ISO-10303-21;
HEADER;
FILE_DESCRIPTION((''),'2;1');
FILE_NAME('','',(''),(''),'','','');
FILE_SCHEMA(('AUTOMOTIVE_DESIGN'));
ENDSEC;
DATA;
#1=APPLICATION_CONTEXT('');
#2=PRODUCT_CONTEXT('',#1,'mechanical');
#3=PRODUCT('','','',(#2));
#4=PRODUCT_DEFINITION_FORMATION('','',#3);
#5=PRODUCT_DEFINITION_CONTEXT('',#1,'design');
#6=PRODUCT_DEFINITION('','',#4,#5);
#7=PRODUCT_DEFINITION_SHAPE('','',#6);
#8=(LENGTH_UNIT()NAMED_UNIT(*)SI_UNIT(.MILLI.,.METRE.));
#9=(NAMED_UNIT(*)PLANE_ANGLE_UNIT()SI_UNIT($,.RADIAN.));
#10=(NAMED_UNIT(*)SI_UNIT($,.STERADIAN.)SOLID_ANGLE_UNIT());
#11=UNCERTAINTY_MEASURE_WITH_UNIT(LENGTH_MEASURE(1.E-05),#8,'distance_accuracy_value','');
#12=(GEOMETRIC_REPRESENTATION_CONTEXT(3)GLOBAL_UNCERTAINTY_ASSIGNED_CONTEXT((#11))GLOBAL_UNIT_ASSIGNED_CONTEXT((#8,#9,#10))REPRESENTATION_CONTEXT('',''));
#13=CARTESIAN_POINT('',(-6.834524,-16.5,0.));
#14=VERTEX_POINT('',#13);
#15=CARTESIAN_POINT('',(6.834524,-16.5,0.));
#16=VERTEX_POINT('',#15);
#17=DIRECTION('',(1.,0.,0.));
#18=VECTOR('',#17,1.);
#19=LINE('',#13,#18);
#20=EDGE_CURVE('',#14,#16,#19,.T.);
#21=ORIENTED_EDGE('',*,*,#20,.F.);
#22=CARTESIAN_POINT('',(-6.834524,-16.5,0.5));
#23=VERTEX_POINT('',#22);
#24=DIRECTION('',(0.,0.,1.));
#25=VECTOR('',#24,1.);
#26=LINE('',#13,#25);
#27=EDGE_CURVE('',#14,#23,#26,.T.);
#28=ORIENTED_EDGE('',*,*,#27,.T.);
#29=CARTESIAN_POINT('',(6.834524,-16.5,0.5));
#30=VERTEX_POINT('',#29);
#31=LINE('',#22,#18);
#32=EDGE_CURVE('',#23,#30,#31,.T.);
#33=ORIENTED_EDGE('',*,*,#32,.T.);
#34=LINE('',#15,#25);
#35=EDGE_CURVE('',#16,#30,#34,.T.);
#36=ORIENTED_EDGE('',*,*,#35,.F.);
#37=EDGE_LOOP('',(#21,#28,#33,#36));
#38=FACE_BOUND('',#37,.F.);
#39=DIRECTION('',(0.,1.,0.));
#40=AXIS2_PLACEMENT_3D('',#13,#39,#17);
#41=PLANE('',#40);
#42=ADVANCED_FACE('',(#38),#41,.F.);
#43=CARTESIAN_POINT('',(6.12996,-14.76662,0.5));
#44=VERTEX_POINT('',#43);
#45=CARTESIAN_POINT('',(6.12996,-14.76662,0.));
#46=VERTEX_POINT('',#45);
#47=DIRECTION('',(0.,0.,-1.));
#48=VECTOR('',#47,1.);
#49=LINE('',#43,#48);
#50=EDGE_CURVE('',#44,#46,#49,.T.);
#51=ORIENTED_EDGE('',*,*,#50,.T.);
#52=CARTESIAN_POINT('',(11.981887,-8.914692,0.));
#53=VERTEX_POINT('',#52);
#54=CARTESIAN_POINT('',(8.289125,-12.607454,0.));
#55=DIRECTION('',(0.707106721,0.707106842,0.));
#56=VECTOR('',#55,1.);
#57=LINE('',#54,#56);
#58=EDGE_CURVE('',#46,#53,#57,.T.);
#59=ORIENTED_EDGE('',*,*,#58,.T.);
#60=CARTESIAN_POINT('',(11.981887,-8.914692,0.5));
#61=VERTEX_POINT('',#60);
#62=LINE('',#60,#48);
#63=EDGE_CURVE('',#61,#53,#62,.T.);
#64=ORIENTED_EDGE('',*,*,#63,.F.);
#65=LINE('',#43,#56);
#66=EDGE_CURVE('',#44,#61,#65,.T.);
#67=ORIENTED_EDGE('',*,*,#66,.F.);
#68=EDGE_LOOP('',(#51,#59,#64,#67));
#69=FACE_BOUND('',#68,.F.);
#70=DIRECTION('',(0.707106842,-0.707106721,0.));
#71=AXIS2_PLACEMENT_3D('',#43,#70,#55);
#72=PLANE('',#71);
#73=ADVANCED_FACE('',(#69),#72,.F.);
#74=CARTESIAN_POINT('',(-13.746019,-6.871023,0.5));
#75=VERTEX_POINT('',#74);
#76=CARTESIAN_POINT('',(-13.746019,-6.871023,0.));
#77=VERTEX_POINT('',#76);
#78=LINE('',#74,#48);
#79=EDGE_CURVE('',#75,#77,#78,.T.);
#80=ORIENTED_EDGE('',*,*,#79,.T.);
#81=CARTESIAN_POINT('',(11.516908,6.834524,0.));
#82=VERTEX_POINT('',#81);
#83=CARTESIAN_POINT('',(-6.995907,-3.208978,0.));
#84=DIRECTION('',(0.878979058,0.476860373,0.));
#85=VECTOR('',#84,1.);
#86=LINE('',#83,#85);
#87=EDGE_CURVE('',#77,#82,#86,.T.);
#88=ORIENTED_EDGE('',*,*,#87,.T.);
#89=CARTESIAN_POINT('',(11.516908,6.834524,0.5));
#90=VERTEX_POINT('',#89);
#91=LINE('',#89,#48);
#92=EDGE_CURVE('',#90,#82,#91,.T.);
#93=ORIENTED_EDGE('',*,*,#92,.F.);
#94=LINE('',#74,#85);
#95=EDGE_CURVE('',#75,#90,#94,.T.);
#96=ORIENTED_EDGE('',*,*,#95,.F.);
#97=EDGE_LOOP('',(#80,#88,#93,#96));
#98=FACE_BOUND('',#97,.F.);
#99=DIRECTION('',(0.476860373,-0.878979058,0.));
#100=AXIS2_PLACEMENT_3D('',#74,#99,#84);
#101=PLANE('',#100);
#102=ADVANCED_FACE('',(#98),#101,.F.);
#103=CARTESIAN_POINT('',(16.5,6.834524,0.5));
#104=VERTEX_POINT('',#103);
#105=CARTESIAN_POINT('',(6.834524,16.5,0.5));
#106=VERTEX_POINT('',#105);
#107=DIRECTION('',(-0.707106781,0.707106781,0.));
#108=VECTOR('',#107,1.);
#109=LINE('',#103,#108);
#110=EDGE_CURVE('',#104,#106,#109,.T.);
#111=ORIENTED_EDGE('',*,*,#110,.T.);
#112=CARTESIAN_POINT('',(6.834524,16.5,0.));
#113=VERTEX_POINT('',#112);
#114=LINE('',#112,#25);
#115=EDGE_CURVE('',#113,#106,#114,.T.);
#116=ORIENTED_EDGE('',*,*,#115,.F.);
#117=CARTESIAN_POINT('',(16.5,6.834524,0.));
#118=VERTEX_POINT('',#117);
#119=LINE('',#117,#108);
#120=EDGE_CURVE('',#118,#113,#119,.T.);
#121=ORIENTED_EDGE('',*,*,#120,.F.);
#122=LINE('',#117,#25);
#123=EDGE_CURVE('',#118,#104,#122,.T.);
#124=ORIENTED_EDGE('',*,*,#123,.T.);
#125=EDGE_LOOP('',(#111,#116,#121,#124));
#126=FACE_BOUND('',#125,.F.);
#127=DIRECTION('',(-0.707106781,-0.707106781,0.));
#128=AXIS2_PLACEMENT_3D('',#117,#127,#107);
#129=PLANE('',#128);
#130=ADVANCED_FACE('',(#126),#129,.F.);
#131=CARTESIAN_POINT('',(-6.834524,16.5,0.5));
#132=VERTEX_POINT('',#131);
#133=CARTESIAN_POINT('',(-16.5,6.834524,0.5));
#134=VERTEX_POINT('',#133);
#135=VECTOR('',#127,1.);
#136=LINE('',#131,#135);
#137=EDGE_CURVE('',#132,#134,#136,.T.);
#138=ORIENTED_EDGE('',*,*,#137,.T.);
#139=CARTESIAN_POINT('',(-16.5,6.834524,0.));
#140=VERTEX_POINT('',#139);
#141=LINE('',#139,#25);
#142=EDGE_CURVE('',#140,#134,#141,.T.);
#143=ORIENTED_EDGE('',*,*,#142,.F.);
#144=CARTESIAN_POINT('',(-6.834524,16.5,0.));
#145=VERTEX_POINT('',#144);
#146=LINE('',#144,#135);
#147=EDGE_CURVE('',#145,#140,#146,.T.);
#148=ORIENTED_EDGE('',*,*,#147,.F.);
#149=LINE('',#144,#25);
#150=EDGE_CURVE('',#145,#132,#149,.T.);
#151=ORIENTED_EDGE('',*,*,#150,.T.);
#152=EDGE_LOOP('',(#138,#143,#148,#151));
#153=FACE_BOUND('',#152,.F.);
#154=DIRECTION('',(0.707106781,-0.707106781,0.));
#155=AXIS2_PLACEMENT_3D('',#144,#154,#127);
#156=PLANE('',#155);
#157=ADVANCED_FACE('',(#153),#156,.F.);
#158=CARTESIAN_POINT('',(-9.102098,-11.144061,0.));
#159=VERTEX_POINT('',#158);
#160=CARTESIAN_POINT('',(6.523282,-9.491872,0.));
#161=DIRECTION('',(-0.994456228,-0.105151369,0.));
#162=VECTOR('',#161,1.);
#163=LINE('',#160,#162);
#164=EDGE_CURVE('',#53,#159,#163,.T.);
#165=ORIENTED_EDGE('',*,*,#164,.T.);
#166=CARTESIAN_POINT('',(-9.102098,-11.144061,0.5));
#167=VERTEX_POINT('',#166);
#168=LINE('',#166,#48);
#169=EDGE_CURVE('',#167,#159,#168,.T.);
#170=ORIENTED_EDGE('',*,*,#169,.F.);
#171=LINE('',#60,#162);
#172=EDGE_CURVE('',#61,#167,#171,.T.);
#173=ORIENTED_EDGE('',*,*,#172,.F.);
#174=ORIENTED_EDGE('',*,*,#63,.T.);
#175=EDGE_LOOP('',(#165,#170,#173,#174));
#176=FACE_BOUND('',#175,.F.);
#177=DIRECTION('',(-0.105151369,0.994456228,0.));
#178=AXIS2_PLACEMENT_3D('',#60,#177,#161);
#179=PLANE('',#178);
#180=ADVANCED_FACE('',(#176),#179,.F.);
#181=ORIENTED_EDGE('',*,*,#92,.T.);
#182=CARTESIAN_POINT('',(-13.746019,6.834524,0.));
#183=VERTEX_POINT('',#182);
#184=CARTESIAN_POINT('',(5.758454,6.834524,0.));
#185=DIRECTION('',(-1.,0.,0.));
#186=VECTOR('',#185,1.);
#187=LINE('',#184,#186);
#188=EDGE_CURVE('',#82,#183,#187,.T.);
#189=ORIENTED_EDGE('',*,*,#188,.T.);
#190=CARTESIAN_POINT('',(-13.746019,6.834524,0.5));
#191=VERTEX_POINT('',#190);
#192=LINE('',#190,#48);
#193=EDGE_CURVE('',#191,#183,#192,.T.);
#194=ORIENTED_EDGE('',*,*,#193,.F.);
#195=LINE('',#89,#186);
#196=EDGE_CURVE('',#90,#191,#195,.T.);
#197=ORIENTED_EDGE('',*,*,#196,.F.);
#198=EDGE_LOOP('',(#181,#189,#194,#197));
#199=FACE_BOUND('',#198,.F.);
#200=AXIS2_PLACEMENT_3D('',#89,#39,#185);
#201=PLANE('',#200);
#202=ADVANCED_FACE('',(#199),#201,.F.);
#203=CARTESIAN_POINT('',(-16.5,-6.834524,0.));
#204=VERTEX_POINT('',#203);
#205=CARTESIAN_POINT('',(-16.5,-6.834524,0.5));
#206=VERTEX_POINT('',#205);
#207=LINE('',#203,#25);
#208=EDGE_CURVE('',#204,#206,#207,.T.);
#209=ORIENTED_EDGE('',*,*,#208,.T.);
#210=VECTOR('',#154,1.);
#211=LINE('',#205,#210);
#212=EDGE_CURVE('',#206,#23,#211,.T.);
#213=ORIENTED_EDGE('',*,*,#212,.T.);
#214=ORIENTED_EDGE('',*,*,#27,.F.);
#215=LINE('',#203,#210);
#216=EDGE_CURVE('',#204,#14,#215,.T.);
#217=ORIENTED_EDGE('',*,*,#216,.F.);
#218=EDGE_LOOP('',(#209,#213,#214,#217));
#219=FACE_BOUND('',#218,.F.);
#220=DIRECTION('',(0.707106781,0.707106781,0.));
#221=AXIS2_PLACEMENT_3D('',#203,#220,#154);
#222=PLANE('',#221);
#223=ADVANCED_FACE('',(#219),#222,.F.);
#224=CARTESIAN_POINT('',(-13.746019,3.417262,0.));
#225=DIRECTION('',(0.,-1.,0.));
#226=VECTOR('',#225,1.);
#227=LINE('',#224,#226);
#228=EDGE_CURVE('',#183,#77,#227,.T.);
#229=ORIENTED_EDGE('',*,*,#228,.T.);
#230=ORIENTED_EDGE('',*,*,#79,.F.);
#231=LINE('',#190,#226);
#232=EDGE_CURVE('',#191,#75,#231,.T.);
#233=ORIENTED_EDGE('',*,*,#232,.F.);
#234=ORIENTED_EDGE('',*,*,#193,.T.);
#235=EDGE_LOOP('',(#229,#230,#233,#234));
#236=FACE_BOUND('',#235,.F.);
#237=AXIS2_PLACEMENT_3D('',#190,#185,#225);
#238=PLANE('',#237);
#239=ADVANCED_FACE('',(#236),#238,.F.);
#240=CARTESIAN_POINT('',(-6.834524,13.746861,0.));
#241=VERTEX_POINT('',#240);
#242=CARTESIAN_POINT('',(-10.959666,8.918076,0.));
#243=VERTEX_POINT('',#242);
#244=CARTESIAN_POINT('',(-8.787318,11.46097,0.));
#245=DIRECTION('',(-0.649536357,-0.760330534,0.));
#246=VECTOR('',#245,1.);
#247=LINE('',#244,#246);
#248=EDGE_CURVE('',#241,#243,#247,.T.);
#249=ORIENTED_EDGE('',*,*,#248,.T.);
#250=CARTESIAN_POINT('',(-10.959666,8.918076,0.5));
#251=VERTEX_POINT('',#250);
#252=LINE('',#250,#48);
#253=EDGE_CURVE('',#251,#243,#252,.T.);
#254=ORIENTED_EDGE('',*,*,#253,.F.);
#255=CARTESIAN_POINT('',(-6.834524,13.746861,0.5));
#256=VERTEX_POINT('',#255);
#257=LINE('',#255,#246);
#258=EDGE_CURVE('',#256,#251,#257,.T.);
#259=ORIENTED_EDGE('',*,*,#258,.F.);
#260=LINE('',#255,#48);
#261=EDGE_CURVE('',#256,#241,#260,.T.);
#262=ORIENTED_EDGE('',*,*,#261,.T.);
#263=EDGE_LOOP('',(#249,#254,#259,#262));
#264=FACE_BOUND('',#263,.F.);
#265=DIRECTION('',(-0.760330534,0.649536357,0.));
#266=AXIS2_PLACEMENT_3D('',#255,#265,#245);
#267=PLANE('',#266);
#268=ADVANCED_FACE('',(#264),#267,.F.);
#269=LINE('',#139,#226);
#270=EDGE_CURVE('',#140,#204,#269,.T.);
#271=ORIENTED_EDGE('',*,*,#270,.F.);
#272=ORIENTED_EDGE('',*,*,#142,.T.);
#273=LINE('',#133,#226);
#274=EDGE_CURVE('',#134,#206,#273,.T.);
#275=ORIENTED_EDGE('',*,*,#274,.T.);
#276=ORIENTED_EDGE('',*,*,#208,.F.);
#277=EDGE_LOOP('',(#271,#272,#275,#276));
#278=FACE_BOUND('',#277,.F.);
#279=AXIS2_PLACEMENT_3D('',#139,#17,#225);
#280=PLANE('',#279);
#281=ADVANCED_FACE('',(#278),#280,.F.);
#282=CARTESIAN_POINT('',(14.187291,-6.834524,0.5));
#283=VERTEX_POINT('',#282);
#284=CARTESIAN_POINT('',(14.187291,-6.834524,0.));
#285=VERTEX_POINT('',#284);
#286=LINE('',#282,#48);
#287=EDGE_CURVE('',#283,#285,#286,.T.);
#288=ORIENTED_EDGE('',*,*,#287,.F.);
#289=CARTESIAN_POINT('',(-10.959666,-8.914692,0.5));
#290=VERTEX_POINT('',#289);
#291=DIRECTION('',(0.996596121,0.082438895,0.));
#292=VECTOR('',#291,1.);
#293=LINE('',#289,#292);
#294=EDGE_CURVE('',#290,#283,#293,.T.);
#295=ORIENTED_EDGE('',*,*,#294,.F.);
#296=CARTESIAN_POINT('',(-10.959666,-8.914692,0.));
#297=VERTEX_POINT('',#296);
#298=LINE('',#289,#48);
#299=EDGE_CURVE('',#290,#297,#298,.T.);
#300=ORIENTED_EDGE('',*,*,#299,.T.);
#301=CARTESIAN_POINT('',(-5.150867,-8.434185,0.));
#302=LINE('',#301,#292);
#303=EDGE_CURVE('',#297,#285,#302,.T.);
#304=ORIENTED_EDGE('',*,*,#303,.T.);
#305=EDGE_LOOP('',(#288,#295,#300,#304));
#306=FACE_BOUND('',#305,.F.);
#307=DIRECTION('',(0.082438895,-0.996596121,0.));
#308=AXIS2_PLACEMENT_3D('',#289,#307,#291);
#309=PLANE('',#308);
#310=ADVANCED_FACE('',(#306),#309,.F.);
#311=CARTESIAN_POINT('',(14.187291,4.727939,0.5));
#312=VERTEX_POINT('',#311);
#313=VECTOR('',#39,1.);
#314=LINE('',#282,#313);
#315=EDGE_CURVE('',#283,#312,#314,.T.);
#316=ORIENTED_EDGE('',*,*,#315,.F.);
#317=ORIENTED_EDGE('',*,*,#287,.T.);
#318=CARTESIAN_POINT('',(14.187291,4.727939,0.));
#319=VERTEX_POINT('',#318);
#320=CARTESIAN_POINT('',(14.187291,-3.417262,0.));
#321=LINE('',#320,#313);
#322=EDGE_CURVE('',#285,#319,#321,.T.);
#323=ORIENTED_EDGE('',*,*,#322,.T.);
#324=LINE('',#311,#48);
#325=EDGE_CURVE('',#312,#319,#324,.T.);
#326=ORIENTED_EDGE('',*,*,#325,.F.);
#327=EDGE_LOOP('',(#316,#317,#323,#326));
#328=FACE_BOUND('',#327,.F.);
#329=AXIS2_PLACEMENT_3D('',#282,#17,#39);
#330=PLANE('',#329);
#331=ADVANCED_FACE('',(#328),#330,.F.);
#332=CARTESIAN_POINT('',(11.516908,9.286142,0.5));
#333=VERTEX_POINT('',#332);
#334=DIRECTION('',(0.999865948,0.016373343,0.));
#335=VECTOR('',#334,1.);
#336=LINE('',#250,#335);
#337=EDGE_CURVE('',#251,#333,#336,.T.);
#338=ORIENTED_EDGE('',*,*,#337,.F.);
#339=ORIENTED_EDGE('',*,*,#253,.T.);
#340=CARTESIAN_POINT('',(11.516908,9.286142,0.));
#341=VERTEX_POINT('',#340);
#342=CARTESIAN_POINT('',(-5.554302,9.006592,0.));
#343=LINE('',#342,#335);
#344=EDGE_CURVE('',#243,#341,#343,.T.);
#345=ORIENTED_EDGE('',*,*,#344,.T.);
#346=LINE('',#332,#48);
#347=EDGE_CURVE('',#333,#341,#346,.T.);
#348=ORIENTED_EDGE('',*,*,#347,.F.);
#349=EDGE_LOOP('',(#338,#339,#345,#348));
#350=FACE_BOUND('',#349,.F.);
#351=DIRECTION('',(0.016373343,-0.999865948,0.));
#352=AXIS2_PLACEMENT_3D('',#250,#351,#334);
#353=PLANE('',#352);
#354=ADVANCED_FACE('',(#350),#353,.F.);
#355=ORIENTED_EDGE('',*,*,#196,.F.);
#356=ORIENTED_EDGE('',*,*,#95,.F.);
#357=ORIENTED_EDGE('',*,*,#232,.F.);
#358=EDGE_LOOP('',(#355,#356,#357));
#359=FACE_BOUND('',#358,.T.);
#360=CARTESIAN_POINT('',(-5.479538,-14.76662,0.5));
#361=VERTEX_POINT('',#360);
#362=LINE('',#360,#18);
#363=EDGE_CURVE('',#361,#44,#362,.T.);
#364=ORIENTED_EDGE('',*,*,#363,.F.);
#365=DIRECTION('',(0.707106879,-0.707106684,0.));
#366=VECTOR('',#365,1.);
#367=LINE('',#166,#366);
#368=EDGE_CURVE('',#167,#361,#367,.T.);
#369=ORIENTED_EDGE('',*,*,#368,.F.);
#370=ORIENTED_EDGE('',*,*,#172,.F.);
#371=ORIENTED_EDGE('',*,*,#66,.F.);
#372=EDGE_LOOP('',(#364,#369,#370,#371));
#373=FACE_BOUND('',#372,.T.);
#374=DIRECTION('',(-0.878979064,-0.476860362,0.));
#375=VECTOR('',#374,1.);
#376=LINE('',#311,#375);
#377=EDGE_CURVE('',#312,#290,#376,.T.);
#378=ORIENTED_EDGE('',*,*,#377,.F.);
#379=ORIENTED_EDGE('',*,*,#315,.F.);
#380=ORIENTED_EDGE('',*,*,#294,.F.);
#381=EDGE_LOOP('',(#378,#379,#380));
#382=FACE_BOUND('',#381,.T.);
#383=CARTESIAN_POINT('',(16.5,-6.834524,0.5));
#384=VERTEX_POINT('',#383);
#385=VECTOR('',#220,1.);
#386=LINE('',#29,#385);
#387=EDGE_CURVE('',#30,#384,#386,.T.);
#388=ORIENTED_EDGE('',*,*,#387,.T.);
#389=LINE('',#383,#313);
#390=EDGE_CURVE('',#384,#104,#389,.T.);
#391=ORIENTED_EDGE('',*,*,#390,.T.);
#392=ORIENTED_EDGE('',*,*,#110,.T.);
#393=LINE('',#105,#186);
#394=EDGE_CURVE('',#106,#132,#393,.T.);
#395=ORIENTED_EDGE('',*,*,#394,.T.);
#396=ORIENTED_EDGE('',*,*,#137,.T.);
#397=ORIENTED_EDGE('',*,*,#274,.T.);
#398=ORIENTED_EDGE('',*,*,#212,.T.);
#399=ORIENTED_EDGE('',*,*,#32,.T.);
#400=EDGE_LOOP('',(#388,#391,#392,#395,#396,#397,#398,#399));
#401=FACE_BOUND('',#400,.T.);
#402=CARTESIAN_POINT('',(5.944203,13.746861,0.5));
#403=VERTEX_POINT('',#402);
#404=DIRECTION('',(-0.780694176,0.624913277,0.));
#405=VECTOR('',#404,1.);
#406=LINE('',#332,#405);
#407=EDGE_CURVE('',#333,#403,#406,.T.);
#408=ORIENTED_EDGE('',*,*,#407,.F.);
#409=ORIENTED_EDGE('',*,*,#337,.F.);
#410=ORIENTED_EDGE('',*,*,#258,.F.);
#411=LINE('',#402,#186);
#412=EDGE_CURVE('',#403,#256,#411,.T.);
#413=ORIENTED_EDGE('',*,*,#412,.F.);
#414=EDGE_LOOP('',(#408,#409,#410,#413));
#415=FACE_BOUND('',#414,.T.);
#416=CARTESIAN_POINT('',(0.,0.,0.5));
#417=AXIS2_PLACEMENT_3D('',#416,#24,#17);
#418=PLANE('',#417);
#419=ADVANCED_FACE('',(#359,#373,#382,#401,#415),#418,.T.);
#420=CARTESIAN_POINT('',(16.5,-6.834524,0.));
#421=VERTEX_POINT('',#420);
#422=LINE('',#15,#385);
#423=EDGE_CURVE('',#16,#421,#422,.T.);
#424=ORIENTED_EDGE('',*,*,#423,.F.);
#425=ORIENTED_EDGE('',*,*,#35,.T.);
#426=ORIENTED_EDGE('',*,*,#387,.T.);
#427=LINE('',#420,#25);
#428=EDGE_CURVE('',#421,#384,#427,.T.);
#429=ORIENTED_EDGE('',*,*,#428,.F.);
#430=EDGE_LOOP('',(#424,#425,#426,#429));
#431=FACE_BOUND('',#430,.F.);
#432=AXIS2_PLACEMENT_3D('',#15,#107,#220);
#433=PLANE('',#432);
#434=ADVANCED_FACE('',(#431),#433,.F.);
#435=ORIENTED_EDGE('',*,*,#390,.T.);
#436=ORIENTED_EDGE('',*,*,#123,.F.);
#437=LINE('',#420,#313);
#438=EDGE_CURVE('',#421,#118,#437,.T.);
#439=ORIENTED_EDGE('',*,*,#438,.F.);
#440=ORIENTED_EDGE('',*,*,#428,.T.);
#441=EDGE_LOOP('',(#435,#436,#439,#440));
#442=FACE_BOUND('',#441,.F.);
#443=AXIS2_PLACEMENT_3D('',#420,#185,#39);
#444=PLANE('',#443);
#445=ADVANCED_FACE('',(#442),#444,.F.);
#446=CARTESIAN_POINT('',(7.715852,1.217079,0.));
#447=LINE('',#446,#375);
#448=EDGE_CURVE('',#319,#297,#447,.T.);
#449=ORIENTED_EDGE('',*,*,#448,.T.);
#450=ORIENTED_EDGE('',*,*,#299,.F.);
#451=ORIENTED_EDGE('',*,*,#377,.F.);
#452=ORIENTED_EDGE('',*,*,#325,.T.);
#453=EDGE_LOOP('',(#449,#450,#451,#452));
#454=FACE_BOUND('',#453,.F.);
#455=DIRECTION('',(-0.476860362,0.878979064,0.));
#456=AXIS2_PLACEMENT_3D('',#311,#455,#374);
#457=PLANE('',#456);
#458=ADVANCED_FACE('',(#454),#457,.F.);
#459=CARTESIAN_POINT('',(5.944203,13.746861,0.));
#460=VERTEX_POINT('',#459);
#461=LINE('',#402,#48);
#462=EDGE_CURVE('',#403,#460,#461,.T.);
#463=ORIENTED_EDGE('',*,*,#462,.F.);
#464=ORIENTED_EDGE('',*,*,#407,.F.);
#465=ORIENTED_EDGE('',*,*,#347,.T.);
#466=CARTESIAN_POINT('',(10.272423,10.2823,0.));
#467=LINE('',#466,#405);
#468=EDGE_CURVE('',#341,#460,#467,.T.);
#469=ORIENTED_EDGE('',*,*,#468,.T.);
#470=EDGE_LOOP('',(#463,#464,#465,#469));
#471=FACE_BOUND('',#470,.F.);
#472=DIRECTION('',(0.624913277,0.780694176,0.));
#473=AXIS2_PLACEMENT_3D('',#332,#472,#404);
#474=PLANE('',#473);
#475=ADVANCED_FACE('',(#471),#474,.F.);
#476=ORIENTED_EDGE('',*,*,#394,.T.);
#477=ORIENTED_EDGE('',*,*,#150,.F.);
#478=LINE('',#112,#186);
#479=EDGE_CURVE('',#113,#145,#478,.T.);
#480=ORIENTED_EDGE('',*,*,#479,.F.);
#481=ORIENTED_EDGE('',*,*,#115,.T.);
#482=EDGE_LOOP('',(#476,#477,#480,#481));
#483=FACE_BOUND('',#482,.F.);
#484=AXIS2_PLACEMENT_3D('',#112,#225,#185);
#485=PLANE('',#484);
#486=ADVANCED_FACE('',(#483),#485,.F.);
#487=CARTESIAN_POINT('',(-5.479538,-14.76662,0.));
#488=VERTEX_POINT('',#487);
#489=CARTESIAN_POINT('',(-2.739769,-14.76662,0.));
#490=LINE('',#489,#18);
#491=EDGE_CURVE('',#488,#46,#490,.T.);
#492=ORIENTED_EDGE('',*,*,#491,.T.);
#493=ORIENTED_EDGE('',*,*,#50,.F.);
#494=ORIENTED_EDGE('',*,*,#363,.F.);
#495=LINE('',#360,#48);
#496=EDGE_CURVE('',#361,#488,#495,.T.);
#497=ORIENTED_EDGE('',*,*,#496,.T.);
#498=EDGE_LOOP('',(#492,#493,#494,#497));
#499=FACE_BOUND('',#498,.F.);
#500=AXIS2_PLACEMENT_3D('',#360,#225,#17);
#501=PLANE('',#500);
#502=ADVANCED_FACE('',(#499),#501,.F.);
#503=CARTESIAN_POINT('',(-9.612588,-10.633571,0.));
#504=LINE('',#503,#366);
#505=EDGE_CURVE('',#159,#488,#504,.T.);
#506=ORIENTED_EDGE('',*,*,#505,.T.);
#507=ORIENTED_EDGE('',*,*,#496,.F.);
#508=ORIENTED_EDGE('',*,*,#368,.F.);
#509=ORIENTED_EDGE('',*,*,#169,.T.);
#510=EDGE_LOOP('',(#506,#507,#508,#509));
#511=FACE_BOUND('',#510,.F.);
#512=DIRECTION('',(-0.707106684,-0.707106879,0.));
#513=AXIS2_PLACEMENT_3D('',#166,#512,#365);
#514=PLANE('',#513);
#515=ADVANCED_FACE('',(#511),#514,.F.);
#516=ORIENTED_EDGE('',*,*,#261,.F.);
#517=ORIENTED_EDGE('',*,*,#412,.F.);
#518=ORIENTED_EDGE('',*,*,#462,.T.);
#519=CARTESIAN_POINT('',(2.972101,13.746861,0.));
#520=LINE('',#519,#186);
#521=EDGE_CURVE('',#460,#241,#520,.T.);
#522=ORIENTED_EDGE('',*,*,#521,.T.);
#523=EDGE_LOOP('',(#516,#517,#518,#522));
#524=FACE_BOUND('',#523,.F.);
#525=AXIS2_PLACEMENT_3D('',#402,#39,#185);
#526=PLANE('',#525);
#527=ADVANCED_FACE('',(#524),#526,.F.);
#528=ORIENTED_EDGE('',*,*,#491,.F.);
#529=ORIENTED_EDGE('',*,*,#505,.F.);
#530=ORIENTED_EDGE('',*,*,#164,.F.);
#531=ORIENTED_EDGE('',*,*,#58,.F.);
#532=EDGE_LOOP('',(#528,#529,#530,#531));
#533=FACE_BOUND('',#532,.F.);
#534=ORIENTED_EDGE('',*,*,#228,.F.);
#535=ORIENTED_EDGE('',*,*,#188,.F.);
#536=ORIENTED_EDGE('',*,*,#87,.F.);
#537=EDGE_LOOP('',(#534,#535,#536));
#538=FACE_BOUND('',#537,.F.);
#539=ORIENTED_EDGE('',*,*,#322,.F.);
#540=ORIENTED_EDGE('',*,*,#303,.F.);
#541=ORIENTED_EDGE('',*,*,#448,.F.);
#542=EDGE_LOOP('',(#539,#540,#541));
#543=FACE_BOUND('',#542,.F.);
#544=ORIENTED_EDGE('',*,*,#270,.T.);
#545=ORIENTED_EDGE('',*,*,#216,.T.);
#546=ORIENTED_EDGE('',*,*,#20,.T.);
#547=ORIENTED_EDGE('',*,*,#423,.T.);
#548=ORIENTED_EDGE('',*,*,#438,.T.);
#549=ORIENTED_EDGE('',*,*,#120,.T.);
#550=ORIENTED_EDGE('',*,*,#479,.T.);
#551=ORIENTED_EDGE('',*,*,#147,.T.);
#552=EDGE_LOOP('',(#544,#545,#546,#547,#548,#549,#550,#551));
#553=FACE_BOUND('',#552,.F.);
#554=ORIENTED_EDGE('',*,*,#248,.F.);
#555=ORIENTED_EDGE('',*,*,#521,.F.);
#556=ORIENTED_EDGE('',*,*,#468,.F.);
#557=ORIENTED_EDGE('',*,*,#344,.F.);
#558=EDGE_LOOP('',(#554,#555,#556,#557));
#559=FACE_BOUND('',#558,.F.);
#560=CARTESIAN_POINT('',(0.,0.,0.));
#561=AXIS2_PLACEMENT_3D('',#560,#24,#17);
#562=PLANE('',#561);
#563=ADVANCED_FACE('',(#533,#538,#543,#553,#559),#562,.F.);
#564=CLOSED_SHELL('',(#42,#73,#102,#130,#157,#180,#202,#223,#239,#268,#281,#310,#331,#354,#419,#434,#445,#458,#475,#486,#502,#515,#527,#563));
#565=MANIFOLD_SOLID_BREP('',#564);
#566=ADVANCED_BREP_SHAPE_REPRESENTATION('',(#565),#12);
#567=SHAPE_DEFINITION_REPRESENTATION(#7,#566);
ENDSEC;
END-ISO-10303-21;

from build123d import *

# Parameters (mm, degrees)
F1_DEPTH = 0.5
F3_DEPTH = 1


with BuildPart() as f1:
    # F0 (on Top) → F1 (new body)
    with BuildSketch(Plane.XY):
        Polygon((-16.5, 6.834524), (-16.5, -6.834524), (-6.834524, -16.5), (6.834524, -16.5), (16.5, -6.834524), (16.5, 6.834524), (6.834524, 16.5), (-6.834524, 16.5), align=None)
    extrude(amount=F1_DEPTH)

    # F2 (on face) → F3 (cut)
    with BuildSketch(Plane.XY.offset(0.5)):
        Polygon((11.516908, 6.834524), (-13.746019, 6.834524), (-13.746019, -6.871023), align=None)
        Polygon((-6.834524, 13.746861), (-10.959666, 8.918076), (11.516908, 9.286142), (5.944203, 13.746861), align=None)
        Polygon((14.187291, 4.727939), (-10.959666, -8.914692), (14.187291, -6.834524), align=None)
        Polygon((11.981887, -8.914692), (-9.102098, -11.144061), (-5.479538, -14.76662), (6.12996, -14.76662), align=None)
    extrude(amount=-F3_DEPTH, mode=Mode.SUBTRACT)


solid = f1.part
